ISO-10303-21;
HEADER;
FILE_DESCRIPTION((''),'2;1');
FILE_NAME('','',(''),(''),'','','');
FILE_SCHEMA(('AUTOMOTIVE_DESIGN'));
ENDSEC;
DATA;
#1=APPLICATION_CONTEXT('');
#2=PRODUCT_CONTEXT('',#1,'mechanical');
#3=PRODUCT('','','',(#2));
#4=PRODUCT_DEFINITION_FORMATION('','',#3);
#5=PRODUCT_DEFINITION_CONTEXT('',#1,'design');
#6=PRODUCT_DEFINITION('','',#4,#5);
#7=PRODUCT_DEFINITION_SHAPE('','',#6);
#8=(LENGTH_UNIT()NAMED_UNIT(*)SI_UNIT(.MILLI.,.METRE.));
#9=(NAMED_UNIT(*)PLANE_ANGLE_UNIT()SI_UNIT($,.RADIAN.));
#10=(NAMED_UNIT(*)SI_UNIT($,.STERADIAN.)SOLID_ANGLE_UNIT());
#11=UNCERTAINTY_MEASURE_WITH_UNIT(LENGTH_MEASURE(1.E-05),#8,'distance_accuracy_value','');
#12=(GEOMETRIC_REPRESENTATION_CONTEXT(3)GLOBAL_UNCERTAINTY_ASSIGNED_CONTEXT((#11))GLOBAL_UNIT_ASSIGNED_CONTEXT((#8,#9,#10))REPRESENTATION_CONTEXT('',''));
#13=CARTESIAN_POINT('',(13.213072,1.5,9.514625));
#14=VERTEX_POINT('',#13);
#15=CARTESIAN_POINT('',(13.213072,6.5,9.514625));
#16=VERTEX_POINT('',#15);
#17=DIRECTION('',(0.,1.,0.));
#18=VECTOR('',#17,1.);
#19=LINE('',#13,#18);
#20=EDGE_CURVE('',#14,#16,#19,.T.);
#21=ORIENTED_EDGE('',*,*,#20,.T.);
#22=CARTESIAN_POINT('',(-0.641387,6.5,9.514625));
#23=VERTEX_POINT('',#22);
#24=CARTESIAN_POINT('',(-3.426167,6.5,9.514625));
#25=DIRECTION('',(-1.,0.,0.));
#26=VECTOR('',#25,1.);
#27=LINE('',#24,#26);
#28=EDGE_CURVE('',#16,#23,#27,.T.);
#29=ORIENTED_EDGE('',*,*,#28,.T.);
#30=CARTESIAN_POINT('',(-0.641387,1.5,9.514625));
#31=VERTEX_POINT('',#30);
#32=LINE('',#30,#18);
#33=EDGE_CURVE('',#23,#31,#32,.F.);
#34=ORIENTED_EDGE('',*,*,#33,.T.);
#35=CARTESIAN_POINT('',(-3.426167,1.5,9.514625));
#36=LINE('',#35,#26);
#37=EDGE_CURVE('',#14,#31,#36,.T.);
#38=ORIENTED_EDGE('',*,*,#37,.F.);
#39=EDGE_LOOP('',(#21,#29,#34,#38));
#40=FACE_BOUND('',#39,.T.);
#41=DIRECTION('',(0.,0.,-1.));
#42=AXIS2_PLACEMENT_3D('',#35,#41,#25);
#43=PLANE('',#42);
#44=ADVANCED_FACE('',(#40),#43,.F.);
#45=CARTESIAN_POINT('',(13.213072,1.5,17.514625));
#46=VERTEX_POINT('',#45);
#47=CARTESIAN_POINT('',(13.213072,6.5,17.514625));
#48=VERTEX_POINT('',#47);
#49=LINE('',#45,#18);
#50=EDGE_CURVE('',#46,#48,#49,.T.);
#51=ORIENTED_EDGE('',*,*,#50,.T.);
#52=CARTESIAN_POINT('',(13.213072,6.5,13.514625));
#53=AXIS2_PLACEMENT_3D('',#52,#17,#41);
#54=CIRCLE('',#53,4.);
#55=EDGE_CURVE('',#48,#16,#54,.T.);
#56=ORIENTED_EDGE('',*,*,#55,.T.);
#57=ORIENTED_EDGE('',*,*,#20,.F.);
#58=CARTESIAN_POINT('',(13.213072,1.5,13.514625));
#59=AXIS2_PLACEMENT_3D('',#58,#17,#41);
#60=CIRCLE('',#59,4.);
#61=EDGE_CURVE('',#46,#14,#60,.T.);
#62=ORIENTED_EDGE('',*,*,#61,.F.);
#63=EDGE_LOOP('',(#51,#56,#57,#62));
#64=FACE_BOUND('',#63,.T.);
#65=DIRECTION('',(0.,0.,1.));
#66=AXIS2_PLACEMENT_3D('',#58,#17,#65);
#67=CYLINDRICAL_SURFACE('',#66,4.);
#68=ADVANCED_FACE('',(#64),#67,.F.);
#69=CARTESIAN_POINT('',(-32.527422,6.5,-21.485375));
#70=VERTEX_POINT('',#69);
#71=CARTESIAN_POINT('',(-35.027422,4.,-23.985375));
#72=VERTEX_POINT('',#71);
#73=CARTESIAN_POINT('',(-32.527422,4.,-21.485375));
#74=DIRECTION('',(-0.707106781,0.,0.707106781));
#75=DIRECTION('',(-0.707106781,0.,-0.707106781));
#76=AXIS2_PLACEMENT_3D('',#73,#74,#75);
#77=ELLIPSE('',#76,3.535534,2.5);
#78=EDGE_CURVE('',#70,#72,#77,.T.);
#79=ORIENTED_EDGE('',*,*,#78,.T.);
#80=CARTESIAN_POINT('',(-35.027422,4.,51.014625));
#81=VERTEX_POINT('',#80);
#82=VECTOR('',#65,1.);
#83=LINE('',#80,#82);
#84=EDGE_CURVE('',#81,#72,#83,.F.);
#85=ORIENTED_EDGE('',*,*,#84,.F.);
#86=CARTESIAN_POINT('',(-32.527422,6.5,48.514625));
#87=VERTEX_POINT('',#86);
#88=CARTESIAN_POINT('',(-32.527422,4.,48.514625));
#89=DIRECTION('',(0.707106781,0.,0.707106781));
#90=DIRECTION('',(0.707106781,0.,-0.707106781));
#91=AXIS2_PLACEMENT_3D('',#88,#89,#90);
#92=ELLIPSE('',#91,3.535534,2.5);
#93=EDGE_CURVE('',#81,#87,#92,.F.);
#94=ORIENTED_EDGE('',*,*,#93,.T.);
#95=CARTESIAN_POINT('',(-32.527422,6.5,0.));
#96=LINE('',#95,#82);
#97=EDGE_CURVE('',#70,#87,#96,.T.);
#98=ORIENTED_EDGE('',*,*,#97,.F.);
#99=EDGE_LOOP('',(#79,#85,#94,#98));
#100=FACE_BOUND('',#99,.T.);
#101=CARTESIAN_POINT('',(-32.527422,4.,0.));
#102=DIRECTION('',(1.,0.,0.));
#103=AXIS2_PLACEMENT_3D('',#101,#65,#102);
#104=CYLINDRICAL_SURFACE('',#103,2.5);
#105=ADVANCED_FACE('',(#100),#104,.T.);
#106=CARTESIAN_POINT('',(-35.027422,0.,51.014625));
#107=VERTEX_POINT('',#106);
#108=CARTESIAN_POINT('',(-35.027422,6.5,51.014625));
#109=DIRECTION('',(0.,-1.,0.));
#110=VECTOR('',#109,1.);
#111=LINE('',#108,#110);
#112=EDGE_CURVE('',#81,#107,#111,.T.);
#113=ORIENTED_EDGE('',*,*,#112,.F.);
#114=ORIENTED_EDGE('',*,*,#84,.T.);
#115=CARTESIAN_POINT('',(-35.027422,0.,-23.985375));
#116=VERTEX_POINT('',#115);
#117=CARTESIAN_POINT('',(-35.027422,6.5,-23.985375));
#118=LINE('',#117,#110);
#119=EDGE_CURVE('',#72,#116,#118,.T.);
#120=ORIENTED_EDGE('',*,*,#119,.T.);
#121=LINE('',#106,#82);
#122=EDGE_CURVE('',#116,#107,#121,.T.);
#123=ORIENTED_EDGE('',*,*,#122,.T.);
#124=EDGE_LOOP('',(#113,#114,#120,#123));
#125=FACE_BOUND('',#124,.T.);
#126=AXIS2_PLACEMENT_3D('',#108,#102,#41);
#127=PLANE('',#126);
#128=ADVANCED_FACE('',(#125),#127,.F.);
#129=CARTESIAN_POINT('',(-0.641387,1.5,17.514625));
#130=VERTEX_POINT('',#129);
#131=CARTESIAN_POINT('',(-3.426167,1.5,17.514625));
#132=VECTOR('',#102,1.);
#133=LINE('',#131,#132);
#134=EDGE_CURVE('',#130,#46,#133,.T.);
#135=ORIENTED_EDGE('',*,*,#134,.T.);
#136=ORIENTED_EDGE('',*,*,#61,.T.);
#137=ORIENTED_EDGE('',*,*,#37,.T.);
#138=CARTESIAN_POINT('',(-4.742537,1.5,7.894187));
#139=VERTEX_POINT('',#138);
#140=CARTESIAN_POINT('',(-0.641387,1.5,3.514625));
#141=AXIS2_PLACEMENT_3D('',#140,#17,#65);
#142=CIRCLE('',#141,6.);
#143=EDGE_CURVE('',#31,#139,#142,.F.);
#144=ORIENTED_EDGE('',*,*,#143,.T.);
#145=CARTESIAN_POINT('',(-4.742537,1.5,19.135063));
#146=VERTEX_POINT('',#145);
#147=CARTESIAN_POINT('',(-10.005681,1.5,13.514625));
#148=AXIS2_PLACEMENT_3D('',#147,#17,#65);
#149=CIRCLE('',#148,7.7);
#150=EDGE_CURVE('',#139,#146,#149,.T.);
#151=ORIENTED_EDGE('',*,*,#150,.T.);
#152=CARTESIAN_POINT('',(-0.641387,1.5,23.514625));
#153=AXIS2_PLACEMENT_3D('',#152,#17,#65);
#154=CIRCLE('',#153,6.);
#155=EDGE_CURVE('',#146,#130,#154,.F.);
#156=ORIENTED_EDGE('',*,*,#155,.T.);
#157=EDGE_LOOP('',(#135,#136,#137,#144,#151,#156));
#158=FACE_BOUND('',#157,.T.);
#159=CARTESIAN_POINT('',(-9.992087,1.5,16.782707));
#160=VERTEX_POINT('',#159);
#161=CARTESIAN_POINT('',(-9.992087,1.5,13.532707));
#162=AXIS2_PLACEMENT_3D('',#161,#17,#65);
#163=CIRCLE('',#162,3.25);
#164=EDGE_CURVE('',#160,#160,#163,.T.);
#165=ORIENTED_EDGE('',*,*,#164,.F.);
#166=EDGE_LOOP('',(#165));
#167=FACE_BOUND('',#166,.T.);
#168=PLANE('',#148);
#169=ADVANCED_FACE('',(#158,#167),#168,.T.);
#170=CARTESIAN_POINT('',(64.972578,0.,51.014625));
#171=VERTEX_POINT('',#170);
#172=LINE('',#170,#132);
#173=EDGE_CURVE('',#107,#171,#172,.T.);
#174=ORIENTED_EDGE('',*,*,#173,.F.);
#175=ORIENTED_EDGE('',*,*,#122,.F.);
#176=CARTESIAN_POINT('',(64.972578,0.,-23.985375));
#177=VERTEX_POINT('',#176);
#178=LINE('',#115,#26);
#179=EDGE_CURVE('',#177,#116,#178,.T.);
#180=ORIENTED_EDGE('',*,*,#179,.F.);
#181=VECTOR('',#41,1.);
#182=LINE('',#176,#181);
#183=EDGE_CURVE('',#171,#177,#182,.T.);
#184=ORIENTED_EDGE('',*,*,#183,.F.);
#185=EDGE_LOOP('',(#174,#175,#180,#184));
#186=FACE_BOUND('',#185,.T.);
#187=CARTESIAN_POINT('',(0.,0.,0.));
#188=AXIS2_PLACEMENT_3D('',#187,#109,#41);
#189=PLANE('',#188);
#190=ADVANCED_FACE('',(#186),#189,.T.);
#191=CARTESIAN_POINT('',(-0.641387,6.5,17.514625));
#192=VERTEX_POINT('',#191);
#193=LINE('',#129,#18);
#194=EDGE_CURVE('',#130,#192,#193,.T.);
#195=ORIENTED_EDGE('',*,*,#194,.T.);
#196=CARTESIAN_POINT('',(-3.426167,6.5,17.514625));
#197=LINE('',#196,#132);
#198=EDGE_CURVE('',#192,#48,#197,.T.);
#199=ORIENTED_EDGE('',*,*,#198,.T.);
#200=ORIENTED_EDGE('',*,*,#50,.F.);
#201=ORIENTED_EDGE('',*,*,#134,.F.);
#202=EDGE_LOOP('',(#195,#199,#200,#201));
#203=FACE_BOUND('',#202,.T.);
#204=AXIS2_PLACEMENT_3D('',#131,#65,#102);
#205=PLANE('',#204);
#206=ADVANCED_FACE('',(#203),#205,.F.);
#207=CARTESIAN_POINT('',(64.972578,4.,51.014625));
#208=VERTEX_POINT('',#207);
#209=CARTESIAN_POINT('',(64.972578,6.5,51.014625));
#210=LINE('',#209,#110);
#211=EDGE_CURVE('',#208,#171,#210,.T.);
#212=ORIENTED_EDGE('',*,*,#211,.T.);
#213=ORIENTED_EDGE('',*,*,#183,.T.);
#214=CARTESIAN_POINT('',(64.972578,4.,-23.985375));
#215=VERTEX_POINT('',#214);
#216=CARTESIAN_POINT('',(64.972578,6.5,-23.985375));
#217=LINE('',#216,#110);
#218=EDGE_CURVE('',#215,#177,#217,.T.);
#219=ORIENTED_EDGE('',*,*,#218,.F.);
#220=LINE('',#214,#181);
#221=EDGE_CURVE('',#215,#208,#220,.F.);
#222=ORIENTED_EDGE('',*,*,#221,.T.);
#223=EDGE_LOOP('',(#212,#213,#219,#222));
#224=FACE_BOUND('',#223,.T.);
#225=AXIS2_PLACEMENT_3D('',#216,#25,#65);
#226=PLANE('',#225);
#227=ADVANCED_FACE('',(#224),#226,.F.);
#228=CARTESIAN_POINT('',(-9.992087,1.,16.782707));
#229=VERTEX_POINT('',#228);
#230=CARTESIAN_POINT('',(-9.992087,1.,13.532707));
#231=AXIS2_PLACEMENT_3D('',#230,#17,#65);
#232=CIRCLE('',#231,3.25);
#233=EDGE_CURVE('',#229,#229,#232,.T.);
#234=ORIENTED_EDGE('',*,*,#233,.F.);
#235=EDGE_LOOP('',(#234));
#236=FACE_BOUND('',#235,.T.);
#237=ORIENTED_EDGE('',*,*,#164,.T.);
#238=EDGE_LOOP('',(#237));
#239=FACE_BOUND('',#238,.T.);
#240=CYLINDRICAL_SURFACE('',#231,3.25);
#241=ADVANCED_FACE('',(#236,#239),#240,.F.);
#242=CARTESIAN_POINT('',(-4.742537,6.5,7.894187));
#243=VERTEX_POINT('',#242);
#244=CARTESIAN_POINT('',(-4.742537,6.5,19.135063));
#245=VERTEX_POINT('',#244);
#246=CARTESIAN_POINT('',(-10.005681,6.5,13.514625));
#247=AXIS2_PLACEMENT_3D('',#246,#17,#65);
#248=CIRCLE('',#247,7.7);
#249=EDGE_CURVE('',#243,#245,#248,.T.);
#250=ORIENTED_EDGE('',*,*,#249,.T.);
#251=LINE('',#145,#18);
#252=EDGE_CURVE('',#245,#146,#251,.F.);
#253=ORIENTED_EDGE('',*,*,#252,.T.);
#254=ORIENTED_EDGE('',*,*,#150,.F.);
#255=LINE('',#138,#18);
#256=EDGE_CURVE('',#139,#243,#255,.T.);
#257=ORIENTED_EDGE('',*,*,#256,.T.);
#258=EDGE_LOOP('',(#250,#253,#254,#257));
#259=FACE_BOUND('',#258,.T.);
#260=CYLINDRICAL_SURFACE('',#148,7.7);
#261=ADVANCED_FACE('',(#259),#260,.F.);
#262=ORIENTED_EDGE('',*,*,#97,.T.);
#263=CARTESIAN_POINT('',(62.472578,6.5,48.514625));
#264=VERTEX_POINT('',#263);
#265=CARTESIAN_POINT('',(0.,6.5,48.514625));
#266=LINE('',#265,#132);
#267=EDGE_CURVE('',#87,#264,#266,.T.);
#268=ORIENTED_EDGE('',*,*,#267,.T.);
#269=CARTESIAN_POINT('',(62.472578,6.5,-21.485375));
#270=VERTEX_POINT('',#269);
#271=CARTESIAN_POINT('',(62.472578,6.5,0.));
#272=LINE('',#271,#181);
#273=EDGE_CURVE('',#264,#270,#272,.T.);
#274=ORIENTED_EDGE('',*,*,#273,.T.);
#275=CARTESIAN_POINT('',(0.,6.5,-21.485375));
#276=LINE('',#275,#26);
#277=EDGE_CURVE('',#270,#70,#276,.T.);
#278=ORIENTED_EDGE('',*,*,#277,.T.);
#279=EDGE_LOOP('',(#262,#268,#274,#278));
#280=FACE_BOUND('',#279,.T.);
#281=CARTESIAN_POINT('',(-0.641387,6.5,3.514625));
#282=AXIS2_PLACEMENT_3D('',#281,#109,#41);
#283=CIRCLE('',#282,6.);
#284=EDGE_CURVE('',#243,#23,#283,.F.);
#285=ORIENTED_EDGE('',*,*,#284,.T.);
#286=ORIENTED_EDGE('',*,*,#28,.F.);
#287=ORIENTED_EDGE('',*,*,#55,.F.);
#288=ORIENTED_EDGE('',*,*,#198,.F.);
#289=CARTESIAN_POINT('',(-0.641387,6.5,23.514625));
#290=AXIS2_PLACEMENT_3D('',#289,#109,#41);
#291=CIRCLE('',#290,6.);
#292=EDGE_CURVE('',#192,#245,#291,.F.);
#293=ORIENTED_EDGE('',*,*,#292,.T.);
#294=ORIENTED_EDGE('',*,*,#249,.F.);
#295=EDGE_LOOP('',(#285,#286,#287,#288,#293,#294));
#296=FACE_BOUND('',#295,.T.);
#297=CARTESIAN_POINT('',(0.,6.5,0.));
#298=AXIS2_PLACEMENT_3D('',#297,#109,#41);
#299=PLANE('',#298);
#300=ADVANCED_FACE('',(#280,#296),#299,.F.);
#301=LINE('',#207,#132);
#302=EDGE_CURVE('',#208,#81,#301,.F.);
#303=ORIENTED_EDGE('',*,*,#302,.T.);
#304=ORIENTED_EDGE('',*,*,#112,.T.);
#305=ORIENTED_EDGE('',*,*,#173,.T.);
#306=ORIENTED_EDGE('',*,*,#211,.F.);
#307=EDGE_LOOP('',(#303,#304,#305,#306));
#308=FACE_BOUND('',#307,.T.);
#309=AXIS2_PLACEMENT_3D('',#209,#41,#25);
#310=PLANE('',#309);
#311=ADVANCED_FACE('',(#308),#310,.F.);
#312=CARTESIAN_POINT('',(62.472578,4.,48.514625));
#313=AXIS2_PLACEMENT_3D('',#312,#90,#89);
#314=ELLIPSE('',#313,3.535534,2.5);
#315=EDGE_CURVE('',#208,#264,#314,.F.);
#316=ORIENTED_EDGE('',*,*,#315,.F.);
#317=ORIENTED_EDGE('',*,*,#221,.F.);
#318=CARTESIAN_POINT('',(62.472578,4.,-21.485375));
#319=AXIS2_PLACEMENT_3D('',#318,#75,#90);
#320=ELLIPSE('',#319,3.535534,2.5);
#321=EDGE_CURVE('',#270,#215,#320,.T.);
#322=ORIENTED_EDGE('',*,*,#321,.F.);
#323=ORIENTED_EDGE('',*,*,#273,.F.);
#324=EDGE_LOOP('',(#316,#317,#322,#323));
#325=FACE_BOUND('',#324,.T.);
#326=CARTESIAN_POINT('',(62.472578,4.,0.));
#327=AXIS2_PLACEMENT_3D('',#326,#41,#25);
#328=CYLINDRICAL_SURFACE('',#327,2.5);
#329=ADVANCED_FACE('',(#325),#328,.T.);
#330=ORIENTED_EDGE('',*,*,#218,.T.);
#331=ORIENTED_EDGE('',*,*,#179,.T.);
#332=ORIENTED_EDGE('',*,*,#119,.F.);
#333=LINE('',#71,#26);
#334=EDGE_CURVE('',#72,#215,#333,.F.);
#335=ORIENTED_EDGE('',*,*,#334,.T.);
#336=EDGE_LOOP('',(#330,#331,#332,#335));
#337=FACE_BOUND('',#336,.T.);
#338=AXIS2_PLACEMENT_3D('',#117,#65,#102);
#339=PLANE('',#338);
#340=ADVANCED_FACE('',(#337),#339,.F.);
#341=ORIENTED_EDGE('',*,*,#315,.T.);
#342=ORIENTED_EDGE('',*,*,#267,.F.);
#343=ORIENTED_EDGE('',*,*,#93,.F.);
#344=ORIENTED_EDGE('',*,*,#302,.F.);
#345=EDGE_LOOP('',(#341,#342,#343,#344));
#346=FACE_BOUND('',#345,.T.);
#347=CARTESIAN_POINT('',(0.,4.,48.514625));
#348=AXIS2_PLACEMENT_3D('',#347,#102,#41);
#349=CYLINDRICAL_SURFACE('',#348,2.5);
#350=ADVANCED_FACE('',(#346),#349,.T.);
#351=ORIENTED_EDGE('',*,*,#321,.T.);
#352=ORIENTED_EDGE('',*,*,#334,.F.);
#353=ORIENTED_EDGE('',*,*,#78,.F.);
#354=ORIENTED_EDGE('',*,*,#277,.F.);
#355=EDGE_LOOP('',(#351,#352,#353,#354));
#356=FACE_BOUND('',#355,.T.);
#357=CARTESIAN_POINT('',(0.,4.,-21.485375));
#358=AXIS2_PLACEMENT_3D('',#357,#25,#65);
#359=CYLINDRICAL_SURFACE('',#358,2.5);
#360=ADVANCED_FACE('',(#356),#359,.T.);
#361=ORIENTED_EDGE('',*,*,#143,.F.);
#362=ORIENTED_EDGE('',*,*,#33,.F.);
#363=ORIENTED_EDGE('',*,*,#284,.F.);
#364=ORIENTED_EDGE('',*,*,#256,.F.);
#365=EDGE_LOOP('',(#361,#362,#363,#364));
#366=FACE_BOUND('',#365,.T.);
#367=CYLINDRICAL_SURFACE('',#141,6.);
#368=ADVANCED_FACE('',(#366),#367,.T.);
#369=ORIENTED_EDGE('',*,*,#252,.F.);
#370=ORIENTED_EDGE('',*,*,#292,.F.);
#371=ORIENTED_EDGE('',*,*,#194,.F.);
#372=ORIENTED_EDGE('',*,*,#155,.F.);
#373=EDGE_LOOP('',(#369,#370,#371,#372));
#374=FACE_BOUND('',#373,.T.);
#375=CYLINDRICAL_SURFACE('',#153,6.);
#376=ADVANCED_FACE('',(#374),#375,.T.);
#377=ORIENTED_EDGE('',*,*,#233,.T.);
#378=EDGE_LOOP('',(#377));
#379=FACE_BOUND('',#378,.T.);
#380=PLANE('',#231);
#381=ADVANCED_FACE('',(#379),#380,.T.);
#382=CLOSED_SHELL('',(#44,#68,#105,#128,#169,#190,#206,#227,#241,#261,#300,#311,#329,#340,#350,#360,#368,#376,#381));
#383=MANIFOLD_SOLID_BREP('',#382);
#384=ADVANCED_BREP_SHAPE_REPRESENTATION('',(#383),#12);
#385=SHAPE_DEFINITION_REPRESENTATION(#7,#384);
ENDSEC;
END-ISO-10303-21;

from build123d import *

# Parameters (mm, degrees)
SKETCH2_W           = 100
SKETCH2_H           = 75
BOSS_EXTRUDE1_DEPTH = 6.5
FILLET1_R           = 2.5
CUT_EXTRUDE1_DEPTH  = 5
FILLET3_R           = 6
SKETCH4_R           = 3.25
CUT_EXTRUDE2_DEPTH  = 0.5


with BuildPart() as part:
    # Sketch2 → Boss-Extrude1 (new body)
    with BuildSketch(Plane(origin=(0, 0, 0), x_dir=(1, 0, 0), z_dir=(0, 1, 0))):
        with Locations((14.972577697, -13.514625229)):
            Rectangle(SKETCH2_W, SKETCH2_H)
    extrude(amount=BOSS_EXTRUDE1_DEPTH)

    # Fillet1
    fillet1_edges = [part.edges().sort_by_distance(p)[0] for p in [
        (64.972577697, 6.5, 13.514625229),
        (14.972577697, 6.5, -23.985374771),
        (-35.027422303, 6.5, 13.514625229),
        (14.972577697, 6.5, 51.014625229),
    ]]
    fillet(fillet1_edges, radius=FILLET1_R)

    # Sketch3 → Cut-Extrude1 (cut)
    with BuildSketch(Plane(origin=(0, 6.5, 0), x_dir=(1, 0, 0), z_dir=(0, 1, 0))):
        with BuildLine():
            Line((-3.42616702, -9.514625229), (13.213071542, -9.514625229))
            ThreePointArc((13.213071542, -9.514625229), (17.213071542, -13.514625229), (13.213071542, -17.514625229))
            Line((13.213071542, -17.514625229), (-3.42616702, -17.514625229))
            ThreePointArc((-3.42616702, -17.514625229), (-17.70568068, -13.514625229), (-3.42616702, -9.514625229))
        make_face()
    extrude(amount=-CUT_EXTRUDE1_DEPTH, mode=Mode.SUBTRACT)

    # Fillet3
    fillet3_edges = [part.edges().sort_by_distance(p)[0] for p in [
        (-3.42616702, 4, 17.514625229),
        (-3.42616702, 4, 9.514625229),
    ]]
    fillet(fillet3_edges, radius=FILLET3_R)

    # Sketch4 → Cut-Extrude2 (cut)
    with BuildSketch(Plane(origin=(0, 1.5, 0), x_dir=(1, 0, 0), z_dir=(0, 1, 0))):
        with Locations(Location((-9.992086902, -13.532706959, 0), (0, 0, 270))):
            Circle(SKETCH4_R)
    extrude(amount=-CUT_EXTRUDE2_DEPTH, mode=Mode.SUBTRACT)


solid = part.part
